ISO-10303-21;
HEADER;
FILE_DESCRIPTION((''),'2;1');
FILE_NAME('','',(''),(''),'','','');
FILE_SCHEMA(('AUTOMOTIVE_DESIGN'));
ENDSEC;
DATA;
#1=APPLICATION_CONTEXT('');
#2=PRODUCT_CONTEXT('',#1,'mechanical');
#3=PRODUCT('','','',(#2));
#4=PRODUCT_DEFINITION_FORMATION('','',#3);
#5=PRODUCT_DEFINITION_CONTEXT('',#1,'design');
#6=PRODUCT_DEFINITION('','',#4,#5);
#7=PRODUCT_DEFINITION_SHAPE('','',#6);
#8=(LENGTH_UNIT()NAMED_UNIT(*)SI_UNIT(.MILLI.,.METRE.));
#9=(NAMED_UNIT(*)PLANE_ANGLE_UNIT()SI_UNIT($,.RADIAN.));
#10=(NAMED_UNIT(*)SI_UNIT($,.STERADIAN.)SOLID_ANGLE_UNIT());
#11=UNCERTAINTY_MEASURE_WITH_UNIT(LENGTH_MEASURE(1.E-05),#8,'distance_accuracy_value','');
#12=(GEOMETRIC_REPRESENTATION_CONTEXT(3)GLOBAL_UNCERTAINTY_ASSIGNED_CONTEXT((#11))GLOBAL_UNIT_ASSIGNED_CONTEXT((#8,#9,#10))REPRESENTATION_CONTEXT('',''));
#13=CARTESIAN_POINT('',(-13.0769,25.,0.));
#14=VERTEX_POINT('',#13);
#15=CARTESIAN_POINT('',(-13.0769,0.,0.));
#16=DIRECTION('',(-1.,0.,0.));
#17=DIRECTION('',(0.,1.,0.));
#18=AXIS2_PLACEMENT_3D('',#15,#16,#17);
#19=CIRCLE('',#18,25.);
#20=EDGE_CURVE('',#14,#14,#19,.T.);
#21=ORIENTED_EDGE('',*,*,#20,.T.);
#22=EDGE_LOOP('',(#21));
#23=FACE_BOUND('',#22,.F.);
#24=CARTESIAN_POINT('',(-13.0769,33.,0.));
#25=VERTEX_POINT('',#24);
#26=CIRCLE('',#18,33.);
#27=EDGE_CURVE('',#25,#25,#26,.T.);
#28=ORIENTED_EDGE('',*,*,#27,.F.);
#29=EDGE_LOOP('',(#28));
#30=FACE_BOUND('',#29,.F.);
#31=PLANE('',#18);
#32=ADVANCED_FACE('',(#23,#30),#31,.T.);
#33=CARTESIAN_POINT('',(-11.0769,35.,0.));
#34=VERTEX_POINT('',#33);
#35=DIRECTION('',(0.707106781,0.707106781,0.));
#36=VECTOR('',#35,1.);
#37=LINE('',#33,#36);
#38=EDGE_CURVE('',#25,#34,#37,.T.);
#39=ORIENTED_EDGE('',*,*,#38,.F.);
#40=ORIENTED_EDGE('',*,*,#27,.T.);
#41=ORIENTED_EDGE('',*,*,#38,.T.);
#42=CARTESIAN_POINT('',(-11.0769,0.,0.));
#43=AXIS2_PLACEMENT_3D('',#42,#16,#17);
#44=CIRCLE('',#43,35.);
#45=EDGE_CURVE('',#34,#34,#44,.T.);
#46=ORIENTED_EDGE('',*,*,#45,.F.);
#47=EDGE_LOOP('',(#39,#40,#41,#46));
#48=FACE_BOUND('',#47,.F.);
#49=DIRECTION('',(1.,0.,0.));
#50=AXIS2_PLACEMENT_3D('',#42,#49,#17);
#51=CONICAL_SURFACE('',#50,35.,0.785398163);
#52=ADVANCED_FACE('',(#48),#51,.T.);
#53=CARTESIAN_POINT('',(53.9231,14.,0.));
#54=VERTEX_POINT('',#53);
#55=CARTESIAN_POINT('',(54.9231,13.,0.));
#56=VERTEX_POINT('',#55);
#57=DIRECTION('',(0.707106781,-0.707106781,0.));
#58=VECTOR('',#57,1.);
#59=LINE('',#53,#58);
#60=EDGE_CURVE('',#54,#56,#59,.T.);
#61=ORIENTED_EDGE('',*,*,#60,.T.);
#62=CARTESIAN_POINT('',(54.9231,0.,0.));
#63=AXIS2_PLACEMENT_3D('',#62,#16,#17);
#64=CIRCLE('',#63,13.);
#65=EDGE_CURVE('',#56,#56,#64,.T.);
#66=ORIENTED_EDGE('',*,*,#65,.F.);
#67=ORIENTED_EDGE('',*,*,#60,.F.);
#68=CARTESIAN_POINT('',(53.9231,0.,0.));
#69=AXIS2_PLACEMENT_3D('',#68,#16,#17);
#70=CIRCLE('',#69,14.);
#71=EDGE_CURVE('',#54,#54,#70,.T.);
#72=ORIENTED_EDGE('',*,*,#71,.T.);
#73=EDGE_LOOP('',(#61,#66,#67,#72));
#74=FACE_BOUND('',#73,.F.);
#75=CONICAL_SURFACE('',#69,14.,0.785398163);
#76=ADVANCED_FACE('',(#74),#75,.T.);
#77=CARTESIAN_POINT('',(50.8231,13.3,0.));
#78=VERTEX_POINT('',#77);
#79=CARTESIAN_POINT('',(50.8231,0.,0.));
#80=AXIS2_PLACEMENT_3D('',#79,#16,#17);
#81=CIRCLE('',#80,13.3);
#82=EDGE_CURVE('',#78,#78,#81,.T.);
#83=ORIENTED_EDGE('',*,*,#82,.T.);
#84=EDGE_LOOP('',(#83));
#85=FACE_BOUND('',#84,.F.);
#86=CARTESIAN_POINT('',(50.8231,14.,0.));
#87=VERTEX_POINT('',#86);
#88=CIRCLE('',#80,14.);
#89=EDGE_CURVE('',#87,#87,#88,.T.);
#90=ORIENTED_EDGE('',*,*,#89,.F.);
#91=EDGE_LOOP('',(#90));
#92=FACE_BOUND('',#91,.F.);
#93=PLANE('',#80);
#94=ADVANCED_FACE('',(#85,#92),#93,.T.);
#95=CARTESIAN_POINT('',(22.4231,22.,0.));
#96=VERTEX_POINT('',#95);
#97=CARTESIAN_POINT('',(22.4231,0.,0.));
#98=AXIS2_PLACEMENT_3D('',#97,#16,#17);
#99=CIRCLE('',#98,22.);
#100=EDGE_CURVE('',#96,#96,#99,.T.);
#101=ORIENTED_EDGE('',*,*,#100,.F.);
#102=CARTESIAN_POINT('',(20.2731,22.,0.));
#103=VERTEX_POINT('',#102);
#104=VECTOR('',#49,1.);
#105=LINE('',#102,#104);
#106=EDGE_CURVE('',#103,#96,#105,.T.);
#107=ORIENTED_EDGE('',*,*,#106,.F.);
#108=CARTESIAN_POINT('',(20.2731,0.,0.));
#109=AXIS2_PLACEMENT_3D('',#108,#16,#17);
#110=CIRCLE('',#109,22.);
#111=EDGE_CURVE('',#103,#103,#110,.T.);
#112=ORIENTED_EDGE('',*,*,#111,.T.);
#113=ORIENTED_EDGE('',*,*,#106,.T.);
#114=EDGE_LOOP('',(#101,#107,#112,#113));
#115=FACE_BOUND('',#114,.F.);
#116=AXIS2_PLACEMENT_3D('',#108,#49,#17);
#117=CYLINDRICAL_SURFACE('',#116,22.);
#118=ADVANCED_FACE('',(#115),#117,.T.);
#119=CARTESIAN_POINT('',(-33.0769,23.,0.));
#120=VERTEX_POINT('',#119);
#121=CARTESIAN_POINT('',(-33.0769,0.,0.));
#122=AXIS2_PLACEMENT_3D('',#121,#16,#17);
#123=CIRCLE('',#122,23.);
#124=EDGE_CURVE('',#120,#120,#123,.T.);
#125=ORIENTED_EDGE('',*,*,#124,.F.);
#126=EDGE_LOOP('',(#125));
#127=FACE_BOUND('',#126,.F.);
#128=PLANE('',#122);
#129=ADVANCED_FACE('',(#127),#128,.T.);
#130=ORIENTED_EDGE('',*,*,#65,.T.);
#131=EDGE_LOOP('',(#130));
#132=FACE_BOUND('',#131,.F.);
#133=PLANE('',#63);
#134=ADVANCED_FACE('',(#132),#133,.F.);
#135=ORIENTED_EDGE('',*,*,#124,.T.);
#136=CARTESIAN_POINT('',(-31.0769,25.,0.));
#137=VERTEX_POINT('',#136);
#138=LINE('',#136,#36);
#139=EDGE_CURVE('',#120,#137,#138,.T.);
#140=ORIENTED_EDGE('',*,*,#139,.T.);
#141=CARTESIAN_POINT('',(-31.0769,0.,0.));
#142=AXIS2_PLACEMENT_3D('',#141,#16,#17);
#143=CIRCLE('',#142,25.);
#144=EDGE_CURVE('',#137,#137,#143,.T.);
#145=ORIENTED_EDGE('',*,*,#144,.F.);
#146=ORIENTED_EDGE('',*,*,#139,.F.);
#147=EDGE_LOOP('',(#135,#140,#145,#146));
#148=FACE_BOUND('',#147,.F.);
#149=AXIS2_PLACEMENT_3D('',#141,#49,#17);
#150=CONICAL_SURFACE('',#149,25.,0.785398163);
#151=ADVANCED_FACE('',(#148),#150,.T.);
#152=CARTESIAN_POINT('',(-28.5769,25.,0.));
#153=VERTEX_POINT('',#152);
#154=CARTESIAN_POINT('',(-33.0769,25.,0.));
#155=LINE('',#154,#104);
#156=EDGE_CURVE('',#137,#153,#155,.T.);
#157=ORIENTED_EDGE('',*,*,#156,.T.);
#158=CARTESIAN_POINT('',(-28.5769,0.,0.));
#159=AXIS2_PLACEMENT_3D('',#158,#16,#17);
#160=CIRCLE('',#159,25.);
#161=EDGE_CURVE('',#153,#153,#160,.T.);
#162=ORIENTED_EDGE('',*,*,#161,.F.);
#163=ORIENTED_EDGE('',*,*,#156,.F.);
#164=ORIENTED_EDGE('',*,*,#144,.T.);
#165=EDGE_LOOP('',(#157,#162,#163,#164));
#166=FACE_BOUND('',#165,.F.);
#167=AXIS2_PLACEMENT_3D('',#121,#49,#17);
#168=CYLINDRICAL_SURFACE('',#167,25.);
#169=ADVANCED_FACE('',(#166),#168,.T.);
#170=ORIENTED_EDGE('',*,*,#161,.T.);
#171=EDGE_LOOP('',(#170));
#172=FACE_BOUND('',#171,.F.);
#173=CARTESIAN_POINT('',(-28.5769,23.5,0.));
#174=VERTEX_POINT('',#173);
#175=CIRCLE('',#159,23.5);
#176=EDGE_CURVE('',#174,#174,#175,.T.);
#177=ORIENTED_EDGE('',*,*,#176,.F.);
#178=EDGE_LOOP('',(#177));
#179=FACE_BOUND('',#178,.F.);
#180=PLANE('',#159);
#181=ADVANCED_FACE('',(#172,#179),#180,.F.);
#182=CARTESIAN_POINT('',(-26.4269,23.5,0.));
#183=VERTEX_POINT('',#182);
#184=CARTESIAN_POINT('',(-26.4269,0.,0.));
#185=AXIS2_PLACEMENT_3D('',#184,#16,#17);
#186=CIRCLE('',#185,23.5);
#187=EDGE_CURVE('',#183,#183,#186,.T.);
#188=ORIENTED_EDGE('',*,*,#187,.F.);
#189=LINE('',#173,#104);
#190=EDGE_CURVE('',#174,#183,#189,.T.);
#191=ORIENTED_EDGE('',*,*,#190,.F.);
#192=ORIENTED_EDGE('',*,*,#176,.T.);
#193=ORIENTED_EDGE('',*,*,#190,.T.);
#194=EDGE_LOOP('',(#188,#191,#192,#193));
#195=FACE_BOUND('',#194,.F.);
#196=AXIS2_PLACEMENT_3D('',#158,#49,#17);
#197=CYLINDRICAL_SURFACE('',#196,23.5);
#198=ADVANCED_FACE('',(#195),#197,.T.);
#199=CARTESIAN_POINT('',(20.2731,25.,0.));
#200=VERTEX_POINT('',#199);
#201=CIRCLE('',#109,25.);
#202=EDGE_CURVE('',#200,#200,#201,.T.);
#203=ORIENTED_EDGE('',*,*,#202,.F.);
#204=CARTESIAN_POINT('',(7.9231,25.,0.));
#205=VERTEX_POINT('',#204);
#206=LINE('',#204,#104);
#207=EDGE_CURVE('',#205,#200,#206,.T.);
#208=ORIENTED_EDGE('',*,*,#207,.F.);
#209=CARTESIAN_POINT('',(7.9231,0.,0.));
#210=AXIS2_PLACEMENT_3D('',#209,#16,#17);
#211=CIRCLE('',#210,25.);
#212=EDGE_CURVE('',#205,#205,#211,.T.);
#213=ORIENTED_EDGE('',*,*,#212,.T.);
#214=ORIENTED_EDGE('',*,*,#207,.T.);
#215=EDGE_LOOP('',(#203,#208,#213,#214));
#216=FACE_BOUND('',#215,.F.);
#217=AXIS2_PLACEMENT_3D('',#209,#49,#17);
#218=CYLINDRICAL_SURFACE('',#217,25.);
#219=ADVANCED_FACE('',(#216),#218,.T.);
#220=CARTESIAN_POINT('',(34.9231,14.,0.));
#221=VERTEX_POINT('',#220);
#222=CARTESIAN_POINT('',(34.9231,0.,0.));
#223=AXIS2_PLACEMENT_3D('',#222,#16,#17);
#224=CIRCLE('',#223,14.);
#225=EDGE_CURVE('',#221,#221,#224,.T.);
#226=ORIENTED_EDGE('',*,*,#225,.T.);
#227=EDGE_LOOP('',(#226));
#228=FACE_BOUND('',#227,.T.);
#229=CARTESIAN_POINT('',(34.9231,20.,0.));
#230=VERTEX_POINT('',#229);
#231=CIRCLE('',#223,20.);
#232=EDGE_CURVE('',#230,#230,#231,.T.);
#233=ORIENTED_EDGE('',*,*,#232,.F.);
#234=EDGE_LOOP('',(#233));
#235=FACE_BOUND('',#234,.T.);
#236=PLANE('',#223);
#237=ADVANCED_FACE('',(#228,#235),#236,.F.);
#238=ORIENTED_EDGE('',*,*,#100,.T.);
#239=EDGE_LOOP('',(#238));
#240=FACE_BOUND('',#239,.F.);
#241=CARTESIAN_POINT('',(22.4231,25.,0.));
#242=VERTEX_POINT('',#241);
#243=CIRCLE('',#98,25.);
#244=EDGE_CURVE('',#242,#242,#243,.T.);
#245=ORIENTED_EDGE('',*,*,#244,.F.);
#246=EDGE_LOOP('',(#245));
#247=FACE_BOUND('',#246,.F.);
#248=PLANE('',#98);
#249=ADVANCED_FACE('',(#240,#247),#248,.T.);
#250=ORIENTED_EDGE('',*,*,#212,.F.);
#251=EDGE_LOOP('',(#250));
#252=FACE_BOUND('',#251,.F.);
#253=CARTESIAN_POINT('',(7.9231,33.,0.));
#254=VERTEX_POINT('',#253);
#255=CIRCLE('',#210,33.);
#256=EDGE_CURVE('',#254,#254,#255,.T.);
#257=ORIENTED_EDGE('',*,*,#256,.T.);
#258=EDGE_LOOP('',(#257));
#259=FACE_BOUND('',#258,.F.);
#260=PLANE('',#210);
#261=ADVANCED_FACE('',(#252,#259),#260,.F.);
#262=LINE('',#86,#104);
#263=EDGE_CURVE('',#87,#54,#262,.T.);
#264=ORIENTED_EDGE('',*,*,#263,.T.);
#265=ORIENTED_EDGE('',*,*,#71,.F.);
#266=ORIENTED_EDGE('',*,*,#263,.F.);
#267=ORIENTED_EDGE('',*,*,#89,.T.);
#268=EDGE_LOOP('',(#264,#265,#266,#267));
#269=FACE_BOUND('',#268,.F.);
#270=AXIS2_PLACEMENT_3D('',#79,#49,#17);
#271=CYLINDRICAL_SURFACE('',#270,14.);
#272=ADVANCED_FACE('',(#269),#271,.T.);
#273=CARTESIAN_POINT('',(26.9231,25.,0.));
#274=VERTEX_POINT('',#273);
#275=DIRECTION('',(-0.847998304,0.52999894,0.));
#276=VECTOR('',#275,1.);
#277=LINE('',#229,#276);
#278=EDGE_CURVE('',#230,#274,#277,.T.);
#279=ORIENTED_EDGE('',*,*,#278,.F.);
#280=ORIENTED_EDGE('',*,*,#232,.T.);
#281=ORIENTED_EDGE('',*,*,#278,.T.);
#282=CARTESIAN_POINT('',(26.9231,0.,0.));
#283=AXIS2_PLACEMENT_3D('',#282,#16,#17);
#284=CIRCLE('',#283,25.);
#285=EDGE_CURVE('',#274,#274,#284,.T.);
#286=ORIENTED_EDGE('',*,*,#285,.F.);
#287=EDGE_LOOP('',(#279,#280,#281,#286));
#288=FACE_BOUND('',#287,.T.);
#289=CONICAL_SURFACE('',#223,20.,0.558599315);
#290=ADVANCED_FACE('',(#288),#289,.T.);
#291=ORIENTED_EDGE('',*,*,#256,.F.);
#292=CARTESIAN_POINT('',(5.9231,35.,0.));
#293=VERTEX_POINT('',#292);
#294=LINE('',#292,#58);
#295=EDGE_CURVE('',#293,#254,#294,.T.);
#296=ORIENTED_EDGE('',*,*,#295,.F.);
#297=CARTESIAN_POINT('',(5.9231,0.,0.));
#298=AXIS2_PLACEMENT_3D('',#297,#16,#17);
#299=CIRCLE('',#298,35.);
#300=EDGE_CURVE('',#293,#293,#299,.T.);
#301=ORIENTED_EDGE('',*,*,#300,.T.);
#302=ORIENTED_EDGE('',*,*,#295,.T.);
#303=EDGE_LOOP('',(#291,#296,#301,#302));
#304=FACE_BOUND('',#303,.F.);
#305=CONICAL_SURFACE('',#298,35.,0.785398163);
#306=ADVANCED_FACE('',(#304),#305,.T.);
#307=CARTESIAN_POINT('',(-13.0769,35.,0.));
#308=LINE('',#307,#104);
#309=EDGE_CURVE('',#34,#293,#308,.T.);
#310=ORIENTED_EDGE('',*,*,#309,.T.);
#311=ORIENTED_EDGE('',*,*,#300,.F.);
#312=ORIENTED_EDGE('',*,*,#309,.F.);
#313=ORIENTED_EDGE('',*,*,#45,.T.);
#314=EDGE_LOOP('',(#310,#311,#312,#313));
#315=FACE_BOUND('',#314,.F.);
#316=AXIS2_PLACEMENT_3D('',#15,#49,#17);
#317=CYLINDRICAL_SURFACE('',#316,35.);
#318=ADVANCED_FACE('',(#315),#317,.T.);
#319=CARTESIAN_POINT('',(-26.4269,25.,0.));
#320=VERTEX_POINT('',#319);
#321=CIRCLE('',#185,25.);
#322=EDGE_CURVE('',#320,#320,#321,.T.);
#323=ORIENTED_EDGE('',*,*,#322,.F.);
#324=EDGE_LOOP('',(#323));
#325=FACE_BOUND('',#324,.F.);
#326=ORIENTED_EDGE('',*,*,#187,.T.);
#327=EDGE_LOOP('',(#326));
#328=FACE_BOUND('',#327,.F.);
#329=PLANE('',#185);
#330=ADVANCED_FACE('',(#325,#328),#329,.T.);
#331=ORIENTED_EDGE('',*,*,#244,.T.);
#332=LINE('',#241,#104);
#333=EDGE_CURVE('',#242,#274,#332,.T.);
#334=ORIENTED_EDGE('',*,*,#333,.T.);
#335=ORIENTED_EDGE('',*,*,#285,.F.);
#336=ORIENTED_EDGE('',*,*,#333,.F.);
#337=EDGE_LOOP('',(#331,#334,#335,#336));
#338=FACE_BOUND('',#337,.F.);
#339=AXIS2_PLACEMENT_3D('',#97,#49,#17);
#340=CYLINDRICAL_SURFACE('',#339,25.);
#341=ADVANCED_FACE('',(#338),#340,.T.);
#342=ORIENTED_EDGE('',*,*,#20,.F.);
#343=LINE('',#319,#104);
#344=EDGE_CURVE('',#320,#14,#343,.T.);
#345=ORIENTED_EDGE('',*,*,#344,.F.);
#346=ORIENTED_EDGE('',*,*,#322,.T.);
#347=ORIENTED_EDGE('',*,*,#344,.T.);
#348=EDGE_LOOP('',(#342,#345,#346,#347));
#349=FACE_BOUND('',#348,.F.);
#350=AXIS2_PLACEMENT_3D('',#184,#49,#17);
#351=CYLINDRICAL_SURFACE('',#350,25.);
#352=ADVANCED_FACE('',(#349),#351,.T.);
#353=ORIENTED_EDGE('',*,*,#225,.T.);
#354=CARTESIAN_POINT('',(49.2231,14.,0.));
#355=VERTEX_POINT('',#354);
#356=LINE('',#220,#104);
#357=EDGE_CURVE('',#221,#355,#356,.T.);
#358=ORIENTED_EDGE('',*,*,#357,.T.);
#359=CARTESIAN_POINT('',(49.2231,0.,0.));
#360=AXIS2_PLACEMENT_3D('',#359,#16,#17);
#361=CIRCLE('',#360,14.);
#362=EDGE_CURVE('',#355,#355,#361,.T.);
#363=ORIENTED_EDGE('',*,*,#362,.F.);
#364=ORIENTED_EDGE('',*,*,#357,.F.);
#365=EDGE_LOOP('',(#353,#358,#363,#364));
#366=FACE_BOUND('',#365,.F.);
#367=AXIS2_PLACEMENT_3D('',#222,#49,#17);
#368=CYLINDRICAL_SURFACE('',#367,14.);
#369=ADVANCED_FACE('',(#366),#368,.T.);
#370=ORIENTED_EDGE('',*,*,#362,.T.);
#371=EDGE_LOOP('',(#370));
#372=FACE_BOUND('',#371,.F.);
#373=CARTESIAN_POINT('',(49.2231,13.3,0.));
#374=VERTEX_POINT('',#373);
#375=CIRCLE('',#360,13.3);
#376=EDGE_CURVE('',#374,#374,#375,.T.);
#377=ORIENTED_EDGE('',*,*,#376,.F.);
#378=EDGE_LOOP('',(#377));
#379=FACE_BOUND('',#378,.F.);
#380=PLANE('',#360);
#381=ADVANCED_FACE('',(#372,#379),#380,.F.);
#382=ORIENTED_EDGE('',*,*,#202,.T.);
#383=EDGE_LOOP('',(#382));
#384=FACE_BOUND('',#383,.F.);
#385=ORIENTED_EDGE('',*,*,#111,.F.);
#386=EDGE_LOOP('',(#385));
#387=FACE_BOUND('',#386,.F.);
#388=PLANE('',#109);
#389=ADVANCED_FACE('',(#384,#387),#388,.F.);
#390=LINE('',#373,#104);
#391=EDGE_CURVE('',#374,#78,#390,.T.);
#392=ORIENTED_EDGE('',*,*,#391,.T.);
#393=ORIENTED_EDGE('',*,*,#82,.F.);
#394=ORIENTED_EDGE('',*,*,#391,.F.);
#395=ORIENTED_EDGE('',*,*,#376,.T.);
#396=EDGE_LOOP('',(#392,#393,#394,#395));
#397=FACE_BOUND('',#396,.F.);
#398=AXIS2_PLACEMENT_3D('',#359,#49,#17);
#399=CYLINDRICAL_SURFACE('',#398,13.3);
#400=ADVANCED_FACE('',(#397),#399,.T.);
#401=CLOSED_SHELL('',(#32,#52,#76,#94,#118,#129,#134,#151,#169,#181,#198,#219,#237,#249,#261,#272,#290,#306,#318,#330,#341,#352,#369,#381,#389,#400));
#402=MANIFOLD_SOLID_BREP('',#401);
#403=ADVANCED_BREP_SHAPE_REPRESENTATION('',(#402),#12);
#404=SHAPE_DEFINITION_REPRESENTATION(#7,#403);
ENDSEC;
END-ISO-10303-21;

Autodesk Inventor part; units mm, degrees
ref_plane "YZ Plane" through (0, 0, 0) normal (1, 0, 0) x (0, 1, 0)
ref_plane "XZ Plane" through (0, 0, 0) normal (0, 1, 0) x (-1, 0, 0)
ref_plane "XY Plane" through (0, 0, 0) normal (0, 0, 1) x (1, 0, 0)
sketch "pierwsza_proba" plane through (0, 0, 0) normal (0, 0, 1) x (1, 0, 0)
  line L0 (-33.0769, 0) -> (-33.0769, 25)
  line L1 (-26.4269, 23.5) -> (-26.4269, 25)
  line L2 (-13.0769, 25) -> (-13.0769, 35)
  line L3 (-13.0769, 35) -> (7.9231, 35)
  line L4 (7.9231, 35) -> (7.9231, 25)
  line L5 (7.9231, 25) -> (20.2731, 25)
  line L6 (20.2731, 25) -> (20.2731, 22)
  line L7 (20.2731, 22) -> (22.4231, 22)
  line L8 (34.9231, 14) -> (49.2231, 14)
  line L9 (49.2231, 14) -> (49.2231, 13.3)
  line L10 (49.2231, 13.3) -> (50.8231, 13.3)
  line L11 (50.8231, 13.3) -> (50.8231, 14)
  line L12 (50.8231, 14) -> (54.9231, 14)
  line L13 (54.9231, 14) -> (54.9231, 0)
  line L14 (54.9231, 0) -> (-33.0769, 0)
  line L15 (-33.0769, 25) -> (-28.5769, 25)
  line L16 (-28.5769, 25) -> (-28.5769, 23.5)
  line L17 (-28.5769, 23.5) -> (-26.4269, 23.5)
  line L18 (-26.4269, 25) -> (-13.0769, 25)
  line L19 (22.4231, 22) -> (22.4231, 25)
  line L20 (22.4231, 25) -> (26.9231, 25)
  line L21 (34.9231, 14) -> (34.9231, 20)
  line L22 (34.9231, 20) -> (26.9231, 25)
  dimension "d6" = 88
  dimension "d7" = 5.7
  dimension "d12" = 20
  dimension "d13" = 6.65
  dimension "d14" = 70
  dimension "d15" = 50
  dimension "d16" = 47
  dimension "d18" = 28
  dimension "d19" = 26.6
  dimension "d22" = 2.15
  dimension "d23" = 2.15
  dimension "d24" = 44
  dimension "d25" = 28
  dimension "d26" = 28
  dimension "d27" = 1.6
  dimension "d28" = 50
  dimension "d42" = 34.65
  dimension "d43" = 47
  dimension "d44" = 20
  dimension "d45" = 40
revolve "Obrót1" add sketch "pierwsza_proba" angle 360 about axis through (54.9231, 0, 0) along (-1, 0, 0)
chamfer "Faza1" distance 2 angle 45 1 edges at (-33.0769, -25, 0) measured on face at (-33.0769, 2.955, -7.7918)
chamfer "Faza2" distance 2 angle 45 1 edges at (-13.0769, -35, 0) measured on face at (-13.0769, 31.3522, 2.6905)
chamfer "Faza3" distance 2 angle 45 1 edges at (7.9231, -35, 0) measured on face at (7.9231, 31.3522, 2.6905)
chamfer "Faza4" distance 1 angle 45 1 edges at (54.9231, -14, 0) measured on face at (54.9231, -0.0766, 3.7068)
properties part number "Bartosz_Zukowski_model_nr_8.ipj"
